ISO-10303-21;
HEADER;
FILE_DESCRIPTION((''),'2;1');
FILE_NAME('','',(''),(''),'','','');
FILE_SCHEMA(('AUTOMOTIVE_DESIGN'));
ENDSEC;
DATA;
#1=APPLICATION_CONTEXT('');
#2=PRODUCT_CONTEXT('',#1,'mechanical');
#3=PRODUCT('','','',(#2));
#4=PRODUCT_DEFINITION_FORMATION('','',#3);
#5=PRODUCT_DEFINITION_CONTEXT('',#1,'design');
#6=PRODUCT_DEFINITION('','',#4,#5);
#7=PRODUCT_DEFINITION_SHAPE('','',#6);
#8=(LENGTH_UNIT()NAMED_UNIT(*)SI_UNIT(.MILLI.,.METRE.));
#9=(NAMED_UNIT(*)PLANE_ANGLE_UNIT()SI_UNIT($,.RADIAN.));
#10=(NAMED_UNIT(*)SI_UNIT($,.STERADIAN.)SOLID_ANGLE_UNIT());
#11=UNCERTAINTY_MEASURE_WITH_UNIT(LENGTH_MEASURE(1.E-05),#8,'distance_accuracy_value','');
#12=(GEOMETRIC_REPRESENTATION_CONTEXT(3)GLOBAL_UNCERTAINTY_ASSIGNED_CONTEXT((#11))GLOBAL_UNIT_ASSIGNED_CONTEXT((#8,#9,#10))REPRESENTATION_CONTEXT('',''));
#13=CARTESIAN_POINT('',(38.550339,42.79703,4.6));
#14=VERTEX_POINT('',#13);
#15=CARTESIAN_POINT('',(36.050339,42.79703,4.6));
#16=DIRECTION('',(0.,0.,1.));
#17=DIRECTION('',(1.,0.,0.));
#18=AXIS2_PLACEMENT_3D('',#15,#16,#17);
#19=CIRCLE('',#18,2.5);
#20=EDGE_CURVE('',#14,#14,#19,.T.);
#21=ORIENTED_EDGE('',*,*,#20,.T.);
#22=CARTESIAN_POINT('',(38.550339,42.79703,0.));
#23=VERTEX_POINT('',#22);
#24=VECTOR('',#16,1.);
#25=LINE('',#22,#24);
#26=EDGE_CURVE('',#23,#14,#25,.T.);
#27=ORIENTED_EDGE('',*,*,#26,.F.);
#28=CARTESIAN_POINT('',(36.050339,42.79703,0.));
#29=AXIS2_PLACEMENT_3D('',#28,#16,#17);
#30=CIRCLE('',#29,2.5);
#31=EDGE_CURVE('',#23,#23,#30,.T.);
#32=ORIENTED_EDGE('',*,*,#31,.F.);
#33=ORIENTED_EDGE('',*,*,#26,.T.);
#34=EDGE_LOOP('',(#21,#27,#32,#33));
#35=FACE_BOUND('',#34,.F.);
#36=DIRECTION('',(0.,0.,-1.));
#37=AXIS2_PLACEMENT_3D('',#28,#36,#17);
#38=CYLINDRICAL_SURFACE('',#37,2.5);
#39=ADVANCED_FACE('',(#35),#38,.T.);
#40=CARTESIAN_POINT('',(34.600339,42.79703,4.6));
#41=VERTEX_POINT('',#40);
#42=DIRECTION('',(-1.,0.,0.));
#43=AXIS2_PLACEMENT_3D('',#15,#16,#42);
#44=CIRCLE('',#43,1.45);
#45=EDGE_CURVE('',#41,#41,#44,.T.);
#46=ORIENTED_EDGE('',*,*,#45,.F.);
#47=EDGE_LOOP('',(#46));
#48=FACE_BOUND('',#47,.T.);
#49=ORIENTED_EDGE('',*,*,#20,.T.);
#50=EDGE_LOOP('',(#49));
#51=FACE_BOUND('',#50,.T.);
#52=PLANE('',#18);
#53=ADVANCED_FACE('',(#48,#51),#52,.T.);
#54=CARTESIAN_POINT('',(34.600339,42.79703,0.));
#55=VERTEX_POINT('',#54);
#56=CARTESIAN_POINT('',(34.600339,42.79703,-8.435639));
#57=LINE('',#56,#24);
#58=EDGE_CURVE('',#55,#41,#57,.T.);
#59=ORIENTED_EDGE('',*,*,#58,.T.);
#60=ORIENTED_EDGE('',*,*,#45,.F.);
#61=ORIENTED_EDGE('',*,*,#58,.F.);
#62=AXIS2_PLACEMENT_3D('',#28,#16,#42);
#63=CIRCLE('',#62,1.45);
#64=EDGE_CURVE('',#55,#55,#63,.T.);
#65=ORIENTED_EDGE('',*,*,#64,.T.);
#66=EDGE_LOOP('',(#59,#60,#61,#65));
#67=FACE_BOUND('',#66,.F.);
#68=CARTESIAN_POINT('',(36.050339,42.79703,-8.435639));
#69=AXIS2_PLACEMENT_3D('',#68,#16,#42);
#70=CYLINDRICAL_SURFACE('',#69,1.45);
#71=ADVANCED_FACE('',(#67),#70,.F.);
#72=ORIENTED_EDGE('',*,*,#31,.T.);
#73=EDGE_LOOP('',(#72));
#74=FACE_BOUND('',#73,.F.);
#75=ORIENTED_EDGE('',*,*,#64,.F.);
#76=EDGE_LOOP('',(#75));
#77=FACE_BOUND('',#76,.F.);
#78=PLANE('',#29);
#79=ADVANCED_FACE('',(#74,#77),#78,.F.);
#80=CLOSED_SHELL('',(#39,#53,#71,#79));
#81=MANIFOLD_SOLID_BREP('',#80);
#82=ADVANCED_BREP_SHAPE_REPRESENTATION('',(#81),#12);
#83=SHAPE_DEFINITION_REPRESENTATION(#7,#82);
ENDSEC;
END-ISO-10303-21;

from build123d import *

# Parameters (mm, degrees)
F0_R     = 2.5
F1_DEPTH = 4.6
F2_D     = 2.9


with BuildPart() as f1:
    # F0 (on Top) → F1 (new body)
    with BuildSketch(Plane.XY):
        with Locations((36.0503385754, 42.7970297431)):
            Circle(F0_R)
    extrude(amount=F1_DEPTH)

    # F2 (through all)
    with Locations(Plane(origin=(0, 0, 0), x_dir=(1, 0, 0), z_dir=(0, 0, -1))):
        with Locations((36.0503385754, -42.7970297431)):
            Hole(F2_D / 2)


solid = f1.part
